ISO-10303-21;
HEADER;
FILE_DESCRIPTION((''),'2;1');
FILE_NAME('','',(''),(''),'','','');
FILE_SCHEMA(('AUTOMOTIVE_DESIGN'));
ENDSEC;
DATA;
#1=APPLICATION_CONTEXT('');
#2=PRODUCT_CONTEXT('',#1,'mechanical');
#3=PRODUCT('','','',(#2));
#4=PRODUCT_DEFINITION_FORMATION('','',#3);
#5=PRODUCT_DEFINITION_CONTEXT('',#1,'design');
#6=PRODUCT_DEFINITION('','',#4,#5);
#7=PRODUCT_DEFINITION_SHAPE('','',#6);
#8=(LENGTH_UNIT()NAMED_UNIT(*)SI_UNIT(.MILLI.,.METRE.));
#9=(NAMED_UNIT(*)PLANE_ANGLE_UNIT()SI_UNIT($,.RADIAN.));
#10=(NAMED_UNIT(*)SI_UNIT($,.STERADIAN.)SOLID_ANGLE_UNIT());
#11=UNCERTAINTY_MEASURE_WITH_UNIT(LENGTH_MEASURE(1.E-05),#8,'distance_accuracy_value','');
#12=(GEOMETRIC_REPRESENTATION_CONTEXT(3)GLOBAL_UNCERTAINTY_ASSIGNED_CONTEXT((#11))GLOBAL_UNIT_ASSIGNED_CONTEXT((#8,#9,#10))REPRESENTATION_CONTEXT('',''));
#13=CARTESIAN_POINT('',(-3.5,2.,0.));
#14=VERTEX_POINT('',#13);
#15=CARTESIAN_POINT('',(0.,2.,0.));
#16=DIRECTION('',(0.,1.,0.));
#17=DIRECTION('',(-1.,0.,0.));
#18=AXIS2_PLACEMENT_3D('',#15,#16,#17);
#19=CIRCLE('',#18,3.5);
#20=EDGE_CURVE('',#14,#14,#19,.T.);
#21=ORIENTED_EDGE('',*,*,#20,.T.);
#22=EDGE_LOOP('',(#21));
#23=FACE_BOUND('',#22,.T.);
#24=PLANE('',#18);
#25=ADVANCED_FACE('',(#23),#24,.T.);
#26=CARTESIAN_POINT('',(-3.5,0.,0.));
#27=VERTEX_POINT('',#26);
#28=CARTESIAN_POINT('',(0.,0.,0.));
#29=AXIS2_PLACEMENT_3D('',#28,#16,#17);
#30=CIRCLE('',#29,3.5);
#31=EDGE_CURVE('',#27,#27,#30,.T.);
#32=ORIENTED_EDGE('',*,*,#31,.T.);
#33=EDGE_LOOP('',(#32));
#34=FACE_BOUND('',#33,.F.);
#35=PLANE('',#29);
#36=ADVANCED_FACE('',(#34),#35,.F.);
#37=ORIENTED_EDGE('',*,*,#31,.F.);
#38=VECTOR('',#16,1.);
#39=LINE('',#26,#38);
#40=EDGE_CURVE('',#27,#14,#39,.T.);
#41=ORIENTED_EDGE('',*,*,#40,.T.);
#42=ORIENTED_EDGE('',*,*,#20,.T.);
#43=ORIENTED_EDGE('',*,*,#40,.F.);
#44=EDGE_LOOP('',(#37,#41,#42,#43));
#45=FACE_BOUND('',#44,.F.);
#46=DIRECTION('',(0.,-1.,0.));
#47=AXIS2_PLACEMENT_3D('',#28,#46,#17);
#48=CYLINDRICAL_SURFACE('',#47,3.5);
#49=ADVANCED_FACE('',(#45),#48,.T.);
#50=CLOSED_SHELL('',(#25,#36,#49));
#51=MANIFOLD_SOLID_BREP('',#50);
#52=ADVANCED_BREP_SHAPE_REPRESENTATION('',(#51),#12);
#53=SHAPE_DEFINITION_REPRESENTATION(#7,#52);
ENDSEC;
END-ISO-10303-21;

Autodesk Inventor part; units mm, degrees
ref_plane "YZ Plane" through (0, 0, 0) normal (1, 0, 0) x (0, 1, 0)
ref_plane "XZ Plane" through (0, 0, 0) normal (0, 1, 0) x (-1, 0, 0)
ref_plane "XY Plane" through (0, 0, 0) normal (0, 0, 1) x (1, 0, 0)
sketch "Sketch1" plane through (0, 0, 0) normal (0, 1, 0) x (-1, 0, 0)
  circle A0 centre (0, 0) radius 3.5
  dimension "d0" = 7
extrude "Extrusion1" add sketch "Sketch1" along normal blind 2
properties part number "clamp rubber" material "Rubber"
